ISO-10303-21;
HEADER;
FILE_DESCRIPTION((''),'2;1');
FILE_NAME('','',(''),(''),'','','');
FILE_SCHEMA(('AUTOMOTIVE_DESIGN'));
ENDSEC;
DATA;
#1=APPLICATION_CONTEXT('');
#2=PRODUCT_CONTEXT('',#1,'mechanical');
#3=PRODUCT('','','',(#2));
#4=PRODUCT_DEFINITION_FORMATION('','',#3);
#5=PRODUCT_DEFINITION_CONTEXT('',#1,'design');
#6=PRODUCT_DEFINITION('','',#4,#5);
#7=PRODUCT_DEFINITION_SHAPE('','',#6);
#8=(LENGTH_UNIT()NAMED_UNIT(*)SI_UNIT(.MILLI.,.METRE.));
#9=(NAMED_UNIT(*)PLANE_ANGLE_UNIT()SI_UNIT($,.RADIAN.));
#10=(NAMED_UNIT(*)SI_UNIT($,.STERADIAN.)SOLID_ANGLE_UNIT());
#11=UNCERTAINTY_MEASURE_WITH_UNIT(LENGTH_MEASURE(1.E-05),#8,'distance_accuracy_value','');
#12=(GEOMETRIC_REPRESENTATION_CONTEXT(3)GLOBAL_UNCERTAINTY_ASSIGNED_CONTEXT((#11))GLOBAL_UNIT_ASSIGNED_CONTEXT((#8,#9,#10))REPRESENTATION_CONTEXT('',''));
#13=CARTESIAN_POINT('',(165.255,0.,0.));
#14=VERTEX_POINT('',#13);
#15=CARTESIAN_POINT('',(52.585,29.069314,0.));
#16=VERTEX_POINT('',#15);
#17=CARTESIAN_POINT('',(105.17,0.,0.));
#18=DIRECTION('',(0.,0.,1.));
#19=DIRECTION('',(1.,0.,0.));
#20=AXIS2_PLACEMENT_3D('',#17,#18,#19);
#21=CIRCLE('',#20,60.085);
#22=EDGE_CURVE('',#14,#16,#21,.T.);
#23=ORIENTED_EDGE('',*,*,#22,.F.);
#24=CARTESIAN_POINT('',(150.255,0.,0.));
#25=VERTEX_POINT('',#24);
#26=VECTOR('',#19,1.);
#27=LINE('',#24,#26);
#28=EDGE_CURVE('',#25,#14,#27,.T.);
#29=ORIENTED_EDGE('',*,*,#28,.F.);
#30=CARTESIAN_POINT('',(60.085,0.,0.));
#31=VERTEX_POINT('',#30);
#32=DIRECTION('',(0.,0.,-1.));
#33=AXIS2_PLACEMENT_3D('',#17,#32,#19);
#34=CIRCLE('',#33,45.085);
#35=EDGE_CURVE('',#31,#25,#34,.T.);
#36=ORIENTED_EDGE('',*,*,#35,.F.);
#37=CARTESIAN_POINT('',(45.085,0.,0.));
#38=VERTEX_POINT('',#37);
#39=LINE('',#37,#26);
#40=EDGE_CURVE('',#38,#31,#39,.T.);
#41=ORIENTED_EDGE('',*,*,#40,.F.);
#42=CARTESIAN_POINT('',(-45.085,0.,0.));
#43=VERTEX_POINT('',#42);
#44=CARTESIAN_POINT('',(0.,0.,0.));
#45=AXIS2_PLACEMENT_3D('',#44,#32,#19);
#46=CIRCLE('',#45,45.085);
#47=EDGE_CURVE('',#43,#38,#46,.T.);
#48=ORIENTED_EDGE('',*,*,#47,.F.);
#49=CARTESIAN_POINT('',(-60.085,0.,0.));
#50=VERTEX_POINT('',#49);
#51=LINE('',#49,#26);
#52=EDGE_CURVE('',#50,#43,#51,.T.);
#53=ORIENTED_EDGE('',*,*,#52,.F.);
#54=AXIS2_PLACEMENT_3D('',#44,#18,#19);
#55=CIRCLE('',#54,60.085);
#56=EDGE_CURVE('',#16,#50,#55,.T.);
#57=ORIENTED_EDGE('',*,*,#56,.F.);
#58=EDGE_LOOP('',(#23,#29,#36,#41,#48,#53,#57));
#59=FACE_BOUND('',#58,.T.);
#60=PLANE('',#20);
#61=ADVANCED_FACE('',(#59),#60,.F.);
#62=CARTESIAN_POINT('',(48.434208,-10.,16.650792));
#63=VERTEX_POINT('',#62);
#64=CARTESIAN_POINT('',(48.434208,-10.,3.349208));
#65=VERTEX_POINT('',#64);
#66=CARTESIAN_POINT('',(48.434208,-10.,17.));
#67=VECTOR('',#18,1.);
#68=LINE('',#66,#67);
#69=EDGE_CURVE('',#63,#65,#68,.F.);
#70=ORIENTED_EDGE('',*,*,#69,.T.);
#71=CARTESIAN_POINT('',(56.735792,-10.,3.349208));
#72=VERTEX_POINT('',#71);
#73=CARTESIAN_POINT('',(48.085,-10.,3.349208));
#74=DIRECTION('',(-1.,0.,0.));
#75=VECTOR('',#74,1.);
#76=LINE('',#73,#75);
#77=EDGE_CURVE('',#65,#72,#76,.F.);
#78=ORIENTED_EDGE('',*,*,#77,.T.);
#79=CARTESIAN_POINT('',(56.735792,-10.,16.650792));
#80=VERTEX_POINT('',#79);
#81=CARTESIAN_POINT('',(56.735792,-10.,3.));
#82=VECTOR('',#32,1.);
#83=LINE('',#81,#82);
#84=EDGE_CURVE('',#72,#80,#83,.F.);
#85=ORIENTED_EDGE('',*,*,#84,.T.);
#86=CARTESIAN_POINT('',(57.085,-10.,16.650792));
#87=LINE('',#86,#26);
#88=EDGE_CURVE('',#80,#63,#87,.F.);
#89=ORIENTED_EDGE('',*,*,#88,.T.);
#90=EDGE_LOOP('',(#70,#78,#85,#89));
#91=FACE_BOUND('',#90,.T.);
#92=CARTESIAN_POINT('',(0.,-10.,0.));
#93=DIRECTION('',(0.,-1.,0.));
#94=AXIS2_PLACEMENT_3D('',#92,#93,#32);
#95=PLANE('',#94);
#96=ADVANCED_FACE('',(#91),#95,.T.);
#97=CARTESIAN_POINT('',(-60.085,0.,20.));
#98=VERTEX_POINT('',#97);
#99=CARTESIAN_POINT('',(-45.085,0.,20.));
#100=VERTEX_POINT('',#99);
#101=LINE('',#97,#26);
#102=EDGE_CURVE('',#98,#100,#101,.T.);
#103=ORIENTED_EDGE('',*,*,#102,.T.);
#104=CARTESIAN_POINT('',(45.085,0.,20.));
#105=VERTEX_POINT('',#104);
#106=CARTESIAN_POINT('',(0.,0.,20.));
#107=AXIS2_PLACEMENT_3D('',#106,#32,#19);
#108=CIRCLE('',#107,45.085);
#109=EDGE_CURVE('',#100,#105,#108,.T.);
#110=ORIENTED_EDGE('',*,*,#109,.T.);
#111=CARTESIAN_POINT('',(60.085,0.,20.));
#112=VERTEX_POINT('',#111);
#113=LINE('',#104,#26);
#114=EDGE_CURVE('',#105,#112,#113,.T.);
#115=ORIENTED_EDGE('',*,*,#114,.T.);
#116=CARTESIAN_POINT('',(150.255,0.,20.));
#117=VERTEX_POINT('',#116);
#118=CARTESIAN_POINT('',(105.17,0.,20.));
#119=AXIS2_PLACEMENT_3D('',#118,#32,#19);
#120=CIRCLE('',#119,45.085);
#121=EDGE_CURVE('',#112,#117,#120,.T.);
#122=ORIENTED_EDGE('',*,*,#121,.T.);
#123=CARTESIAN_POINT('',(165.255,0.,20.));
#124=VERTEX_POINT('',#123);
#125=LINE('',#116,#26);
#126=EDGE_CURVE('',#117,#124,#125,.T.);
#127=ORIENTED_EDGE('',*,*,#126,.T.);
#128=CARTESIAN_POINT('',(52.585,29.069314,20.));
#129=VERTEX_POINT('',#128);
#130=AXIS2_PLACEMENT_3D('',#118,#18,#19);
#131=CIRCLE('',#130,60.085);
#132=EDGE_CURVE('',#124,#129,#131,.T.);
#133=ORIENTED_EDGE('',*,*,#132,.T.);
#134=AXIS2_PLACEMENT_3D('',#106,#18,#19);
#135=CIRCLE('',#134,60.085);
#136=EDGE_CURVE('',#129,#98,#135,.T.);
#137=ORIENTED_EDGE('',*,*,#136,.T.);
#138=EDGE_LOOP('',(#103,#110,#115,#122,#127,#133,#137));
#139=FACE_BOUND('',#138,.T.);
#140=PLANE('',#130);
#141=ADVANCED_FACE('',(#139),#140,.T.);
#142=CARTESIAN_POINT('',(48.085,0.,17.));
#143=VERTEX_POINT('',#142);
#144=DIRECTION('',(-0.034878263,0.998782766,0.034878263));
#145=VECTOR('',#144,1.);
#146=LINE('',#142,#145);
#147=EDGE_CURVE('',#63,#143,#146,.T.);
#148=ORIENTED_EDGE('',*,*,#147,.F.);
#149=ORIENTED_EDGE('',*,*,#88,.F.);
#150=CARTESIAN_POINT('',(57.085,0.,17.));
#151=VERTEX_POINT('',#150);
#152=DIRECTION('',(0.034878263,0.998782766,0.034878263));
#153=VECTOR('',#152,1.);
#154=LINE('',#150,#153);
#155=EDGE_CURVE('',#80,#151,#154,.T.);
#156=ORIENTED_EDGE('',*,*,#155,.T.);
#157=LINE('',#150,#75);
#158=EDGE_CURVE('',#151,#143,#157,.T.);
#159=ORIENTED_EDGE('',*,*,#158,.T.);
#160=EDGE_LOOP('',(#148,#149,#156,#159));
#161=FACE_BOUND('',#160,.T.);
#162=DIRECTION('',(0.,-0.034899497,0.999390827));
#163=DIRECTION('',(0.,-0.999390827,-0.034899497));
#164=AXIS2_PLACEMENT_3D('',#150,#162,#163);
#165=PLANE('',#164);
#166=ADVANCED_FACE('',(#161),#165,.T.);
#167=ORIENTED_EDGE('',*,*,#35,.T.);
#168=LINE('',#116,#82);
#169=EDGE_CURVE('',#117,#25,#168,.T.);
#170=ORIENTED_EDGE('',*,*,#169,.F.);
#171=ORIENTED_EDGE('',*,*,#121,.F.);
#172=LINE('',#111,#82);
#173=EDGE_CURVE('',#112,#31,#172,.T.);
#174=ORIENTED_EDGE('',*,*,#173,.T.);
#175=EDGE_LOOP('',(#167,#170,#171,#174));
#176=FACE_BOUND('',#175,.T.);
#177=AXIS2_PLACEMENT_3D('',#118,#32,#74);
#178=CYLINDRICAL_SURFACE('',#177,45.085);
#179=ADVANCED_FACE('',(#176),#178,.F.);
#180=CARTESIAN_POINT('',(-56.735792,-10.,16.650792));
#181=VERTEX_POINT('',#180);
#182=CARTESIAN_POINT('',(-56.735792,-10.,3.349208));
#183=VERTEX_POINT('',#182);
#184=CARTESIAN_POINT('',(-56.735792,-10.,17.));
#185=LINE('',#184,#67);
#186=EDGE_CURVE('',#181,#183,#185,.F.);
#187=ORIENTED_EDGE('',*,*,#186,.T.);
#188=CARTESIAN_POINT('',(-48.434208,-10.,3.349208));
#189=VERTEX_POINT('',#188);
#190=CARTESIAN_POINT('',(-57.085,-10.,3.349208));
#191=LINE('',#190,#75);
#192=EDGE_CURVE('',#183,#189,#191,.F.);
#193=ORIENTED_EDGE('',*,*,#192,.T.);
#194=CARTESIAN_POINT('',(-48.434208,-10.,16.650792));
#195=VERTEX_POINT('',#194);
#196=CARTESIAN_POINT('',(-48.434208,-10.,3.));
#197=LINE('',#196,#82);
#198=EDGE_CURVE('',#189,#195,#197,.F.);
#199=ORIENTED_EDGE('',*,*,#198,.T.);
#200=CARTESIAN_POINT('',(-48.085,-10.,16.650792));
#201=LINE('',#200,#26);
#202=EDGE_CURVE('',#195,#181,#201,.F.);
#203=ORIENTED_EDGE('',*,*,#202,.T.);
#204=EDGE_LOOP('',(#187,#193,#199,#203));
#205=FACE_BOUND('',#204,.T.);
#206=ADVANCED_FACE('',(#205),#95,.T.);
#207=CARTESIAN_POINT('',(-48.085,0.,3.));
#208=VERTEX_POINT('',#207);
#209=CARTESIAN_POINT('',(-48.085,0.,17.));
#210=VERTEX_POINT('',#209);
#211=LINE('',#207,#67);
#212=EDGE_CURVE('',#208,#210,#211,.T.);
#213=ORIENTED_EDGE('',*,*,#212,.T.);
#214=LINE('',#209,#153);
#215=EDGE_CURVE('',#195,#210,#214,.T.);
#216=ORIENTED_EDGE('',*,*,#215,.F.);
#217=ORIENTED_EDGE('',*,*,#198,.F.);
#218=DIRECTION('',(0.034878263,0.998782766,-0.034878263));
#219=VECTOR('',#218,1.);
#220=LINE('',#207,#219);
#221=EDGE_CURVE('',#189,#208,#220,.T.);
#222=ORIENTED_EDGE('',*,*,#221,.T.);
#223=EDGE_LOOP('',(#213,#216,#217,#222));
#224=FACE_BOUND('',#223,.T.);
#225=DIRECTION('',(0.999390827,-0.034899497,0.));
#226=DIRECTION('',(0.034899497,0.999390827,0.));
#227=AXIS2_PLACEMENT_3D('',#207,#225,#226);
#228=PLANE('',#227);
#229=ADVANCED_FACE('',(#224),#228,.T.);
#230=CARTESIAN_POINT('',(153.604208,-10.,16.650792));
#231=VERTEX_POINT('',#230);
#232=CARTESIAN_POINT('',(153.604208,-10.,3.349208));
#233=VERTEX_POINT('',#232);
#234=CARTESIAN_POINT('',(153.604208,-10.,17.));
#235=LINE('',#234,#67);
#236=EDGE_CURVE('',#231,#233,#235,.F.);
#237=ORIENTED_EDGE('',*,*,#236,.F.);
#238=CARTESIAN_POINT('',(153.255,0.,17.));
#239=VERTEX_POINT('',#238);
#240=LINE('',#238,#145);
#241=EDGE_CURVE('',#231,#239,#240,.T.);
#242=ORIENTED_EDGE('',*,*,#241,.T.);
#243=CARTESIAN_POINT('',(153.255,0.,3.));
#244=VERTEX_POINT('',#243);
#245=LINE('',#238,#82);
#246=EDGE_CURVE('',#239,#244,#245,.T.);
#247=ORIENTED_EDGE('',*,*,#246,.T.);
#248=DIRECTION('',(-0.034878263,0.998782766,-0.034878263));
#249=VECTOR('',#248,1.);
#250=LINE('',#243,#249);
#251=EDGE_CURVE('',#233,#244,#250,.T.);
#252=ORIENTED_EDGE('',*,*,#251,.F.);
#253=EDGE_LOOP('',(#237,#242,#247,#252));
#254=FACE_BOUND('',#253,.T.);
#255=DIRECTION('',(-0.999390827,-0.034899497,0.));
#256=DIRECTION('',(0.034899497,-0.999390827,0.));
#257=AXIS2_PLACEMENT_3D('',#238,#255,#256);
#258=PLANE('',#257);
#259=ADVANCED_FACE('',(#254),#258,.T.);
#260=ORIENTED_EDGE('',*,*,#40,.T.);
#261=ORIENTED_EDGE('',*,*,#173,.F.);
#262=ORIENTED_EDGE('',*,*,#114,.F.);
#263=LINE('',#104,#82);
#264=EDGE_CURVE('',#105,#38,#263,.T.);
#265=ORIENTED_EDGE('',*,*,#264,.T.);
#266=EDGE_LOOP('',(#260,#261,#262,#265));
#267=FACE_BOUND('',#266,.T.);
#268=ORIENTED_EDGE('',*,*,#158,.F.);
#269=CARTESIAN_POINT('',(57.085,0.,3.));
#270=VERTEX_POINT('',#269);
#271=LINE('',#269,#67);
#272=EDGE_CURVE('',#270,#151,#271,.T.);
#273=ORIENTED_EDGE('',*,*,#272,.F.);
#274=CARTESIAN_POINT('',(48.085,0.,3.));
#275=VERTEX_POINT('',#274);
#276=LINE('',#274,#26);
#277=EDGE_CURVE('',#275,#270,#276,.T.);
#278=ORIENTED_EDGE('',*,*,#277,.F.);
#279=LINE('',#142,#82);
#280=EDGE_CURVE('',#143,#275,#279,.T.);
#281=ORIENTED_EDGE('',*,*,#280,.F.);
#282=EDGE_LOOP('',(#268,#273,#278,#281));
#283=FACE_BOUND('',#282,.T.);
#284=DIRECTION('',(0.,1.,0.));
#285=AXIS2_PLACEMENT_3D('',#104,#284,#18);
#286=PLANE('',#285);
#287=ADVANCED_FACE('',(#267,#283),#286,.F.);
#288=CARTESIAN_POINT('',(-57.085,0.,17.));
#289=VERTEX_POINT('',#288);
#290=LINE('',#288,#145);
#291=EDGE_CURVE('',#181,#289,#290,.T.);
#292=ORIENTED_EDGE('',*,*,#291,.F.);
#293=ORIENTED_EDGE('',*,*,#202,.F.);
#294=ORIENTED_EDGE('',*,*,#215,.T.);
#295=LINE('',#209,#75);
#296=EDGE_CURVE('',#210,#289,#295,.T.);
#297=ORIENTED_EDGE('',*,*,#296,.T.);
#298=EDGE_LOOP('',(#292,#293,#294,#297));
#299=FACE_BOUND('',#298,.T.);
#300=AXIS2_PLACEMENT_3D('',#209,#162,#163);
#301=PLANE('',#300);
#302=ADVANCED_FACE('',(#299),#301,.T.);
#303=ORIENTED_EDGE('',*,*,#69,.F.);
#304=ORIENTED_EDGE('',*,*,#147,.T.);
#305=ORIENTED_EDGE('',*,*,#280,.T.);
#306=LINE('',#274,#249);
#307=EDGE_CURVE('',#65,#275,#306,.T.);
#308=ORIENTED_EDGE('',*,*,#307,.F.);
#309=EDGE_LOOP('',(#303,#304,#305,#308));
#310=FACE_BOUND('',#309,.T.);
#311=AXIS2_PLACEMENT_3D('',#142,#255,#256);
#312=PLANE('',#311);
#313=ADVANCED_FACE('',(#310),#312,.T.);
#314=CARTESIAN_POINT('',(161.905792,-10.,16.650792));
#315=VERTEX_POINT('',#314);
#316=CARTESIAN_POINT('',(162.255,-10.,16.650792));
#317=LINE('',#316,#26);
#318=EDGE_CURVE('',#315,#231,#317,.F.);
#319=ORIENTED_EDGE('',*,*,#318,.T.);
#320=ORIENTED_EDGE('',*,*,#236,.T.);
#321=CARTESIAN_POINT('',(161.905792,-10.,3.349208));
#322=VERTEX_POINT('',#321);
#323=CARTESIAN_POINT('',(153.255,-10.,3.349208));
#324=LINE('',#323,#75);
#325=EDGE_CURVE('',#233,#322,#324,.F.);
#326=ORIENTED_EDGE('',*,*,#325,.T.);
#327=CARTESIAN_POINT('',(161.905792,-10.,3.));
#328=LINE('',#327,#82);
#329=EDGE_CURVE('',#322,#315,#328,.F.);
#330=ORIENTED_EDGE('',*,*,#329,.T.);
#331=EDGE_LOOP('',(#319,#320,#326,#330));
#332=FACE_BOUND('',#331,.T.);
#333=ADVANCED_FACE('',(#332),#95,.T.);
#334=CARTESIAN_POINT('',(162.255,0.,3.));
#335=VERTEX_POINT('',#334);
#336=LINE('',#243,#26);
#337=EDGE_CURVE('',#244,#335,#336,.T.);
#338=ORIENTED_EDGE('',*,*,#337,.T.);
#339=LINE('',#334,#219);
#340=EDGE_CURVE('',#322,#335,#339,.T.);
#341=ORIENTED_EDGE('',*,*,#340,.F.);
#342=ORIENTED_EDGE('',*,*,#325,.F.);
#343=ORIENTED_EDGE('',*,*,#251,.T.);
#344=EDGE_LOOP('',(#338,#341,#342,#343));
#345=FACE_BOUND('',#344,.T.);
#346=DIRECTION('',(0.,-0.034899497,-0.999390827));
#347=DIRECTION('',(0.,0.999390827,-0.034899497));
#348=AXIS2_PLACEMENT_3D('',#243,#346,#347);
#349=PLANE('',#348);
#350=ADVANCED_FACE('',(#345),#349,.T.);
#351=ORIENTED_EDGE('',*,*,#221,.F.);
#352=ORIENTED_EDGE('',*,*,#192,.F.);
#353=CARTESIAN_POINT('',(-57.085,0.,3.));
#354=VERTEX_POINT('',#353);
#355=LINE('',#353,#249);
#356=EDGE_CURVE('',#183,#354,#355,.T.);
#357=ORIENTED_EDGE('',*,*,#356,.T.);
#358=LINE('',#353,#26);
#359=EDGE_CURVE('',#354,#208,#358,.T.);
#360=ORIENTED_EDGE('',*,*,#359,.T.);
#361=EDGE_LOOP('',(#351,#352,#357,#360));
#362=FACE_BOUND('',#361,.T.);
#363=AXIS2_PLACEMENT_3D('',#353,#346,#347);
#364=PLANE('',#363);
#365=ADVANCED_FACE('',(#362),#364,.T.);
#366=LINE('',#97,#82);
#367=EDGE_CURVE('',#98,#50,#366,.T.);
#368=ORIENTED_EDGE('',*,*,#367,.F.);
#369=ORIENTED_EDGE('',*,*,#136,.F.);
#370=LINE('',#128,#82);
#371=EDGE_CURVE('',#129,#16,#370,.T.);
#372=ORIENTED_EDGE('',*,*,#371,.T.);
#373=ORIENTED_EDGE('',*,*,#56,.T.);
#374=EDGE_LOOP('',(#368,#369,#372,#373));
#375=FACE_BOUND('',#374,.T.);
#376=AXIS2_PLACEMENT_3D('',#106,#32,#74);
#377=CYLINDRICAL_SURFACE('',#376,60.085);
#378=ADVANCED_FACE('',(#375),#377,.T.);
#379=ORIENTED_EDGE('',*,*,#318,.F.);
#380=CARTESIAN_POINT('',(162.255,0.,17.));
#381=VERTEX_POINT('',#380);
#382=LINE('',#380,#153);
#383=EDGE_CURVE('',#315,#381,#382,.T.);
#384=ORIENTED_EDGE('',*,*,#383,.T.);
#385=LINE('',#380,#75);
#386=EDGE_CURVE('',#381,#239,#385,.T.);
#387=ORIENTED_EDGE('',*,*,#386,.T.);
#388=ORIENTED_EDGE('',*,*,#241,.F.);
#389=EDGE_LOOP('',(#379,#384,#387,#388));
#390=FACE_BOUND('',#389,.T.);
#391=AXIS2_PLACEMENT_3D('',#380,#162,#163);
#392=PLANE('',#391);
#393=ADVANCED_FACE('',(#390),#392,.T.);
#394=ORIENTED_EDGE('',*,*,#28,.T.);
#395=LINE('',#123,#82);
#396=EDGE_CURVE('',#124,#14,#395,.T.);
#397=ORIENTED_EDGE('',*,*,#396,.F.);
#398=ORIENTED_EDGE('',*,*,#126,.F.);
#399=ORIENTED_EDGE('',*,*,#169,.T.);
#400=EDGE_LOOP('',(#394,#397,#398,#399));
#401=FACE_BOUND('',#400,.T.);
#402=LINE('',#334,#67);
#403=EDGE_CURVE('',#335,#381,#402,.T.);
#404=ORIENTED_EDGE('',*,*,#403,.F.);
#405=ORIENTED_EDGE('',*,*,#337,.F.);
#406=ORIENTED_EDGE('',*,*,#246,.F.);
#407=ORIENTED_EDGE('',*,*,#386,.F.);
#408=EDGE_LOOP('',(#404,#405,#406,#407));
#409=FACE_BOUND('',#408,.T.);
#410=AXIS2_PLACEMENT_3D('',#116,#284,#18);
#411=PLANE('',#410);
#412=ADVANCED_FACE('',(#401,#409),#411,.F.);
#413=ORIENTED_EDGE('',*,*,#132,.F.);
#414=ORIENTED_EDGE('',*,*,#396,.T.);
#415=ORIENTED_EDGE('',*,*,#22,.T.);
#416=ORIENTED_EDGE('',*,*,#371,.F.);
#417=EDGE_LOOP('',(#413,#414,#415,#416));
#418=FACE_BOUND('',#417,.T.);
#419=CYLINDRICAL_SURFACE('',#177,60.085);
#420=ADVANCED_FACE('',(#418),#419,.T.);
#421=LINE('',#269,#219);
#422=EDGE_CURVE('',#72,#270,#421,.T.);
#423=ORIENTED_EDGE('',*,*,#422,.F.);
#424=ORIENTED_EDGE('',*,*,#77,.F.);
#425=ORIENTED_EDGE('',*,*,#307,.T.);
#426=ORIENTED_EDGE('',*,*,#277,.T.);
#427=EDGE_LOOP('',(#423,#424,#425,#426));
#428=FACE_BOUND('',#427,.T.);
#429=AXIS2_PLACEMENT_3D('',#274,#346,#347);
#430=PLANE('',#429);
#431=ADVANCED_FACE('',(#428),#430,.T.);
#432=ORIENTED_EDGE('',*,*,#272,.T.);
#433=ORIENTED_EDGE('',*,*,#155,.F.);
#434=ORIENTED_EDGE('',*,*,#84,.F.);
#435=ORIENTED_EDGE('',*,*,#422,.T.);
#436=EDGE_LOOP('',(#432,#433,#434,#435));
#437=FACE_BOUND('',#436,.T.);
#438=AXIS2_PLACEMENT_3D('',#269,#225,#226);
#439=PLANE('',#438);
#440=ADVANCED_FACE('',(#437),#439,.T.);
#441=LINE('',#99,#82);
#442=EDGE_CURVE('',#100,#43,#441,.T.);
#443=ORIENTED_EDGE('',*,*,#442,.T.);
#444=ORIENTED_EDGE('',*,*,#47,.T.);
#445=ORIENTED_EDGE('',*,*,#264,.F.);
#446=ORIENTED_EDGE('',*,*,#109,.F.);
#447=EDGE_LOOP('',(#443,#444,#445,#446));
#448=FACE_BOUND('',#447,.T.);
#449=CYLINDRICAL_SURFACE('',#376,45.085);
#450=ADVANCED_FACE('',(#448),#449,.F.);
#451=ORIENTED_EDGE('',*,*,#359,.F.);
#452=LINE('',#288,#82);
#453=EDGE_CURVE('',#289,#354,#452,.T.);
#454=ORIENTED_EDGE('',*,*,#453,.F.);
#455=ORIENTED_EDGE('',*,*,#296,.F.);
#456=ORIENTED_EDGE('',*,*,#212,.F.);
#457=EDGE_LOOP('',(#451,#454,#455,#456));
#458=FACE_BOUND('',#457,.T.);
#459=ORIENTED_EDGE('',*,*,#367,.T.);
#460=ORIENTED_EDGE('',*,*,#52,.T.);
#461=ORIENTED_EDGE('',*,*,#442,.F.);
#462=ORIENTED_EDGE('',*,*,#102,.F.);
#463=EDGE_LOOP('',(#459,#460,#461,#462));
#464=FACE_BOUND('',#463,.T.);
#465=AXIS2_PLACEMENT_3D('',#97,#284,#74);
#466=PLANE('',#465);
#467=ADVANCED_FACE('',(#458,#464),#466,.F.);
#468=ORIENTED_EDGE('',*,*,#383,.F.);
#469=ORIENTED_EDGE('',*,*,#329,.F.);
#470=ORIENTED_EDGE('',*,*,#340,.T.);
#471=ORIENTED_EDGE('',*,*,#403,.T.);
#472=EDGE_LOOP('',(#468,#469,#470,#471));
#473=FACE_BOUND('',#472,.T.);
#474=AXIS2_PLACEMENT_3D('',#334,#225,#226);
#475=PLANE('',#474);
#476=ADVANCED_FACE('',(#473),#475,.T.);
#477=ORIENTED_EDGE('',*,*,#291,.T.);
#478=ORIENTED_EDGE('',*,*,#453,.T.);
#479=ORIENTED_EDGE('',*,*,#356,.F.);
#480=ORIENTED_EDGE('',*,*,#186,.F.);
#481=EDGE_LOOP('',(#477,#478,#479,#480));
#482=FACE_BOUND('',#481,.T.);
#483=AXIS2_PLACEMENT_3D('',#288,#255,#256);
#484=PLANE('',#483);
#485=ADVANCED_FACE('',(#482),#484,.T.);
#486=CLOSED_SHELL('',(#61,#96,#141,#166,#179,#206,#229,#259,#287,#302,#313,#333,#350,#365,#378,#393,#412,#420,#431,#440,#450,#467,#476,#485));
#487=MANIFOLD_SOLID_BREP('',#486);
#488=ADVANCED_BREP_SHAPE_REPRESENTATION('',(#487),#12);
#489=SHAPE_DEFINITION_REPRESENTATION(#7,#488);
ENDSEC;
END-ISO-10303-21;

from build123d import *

# Parameters (mm, degrees)
BOSS_EXTRUDE1_DEPTH = 20
SKETCH3_W           = 9
SKETCH3_H           = 14
BOSS_EXTRUDE2_DEPTH = 10
BOSS_EXTRUDE2_TAPER = 2


with BuildPart() as part:
    # Sketch2 → Boss-Extrude1 (new body)
    with BuildSketch(Plane.XY):
        with BuildLine():
            Line((45.085, 0), (60.085, 0))
            ThreePointArc((60.085, 0), (105.17, 45.085), (150.255, 0))
            Line((150.255, 0), (165.255, 0))
            ThreePointArc((165.255, 0), (120.18062124, 58.179794388), (52.585, 29.069313717))
            ThreePointArc((52.585, 29.069313717), (-15.01062124, 58.179794388), (-60.085, 0))
            Line((-60.085, 0), (-45.085, 0))
            ThreePointArc((-45.085, 0), (0, 45.085), (45.085, 0))
        make_face()
    extrude(amount=BOSS_EXTRUDE1_DEPTH)

    # Sketch3 → Boss-Extrude2 (add)
    with BuildSketch(Plane.XZ):
        with Locations((-52.585, 10)):
            Rectangle(SKETCH3_W, SKETCH3_H)
        with Locations((52.585, 10)):
            Rectangle(SKETCH3_W, SKETCH3_H)
        with Locations((157.755, 10)):
            Rectangle(SKETCH3_W, SKETCH3_H)
    extrude(amount=BOSS_EXTRUDE2_DEPTH, taper=BOSS_EXTRUDE2_TAPER)


solid = part.part
